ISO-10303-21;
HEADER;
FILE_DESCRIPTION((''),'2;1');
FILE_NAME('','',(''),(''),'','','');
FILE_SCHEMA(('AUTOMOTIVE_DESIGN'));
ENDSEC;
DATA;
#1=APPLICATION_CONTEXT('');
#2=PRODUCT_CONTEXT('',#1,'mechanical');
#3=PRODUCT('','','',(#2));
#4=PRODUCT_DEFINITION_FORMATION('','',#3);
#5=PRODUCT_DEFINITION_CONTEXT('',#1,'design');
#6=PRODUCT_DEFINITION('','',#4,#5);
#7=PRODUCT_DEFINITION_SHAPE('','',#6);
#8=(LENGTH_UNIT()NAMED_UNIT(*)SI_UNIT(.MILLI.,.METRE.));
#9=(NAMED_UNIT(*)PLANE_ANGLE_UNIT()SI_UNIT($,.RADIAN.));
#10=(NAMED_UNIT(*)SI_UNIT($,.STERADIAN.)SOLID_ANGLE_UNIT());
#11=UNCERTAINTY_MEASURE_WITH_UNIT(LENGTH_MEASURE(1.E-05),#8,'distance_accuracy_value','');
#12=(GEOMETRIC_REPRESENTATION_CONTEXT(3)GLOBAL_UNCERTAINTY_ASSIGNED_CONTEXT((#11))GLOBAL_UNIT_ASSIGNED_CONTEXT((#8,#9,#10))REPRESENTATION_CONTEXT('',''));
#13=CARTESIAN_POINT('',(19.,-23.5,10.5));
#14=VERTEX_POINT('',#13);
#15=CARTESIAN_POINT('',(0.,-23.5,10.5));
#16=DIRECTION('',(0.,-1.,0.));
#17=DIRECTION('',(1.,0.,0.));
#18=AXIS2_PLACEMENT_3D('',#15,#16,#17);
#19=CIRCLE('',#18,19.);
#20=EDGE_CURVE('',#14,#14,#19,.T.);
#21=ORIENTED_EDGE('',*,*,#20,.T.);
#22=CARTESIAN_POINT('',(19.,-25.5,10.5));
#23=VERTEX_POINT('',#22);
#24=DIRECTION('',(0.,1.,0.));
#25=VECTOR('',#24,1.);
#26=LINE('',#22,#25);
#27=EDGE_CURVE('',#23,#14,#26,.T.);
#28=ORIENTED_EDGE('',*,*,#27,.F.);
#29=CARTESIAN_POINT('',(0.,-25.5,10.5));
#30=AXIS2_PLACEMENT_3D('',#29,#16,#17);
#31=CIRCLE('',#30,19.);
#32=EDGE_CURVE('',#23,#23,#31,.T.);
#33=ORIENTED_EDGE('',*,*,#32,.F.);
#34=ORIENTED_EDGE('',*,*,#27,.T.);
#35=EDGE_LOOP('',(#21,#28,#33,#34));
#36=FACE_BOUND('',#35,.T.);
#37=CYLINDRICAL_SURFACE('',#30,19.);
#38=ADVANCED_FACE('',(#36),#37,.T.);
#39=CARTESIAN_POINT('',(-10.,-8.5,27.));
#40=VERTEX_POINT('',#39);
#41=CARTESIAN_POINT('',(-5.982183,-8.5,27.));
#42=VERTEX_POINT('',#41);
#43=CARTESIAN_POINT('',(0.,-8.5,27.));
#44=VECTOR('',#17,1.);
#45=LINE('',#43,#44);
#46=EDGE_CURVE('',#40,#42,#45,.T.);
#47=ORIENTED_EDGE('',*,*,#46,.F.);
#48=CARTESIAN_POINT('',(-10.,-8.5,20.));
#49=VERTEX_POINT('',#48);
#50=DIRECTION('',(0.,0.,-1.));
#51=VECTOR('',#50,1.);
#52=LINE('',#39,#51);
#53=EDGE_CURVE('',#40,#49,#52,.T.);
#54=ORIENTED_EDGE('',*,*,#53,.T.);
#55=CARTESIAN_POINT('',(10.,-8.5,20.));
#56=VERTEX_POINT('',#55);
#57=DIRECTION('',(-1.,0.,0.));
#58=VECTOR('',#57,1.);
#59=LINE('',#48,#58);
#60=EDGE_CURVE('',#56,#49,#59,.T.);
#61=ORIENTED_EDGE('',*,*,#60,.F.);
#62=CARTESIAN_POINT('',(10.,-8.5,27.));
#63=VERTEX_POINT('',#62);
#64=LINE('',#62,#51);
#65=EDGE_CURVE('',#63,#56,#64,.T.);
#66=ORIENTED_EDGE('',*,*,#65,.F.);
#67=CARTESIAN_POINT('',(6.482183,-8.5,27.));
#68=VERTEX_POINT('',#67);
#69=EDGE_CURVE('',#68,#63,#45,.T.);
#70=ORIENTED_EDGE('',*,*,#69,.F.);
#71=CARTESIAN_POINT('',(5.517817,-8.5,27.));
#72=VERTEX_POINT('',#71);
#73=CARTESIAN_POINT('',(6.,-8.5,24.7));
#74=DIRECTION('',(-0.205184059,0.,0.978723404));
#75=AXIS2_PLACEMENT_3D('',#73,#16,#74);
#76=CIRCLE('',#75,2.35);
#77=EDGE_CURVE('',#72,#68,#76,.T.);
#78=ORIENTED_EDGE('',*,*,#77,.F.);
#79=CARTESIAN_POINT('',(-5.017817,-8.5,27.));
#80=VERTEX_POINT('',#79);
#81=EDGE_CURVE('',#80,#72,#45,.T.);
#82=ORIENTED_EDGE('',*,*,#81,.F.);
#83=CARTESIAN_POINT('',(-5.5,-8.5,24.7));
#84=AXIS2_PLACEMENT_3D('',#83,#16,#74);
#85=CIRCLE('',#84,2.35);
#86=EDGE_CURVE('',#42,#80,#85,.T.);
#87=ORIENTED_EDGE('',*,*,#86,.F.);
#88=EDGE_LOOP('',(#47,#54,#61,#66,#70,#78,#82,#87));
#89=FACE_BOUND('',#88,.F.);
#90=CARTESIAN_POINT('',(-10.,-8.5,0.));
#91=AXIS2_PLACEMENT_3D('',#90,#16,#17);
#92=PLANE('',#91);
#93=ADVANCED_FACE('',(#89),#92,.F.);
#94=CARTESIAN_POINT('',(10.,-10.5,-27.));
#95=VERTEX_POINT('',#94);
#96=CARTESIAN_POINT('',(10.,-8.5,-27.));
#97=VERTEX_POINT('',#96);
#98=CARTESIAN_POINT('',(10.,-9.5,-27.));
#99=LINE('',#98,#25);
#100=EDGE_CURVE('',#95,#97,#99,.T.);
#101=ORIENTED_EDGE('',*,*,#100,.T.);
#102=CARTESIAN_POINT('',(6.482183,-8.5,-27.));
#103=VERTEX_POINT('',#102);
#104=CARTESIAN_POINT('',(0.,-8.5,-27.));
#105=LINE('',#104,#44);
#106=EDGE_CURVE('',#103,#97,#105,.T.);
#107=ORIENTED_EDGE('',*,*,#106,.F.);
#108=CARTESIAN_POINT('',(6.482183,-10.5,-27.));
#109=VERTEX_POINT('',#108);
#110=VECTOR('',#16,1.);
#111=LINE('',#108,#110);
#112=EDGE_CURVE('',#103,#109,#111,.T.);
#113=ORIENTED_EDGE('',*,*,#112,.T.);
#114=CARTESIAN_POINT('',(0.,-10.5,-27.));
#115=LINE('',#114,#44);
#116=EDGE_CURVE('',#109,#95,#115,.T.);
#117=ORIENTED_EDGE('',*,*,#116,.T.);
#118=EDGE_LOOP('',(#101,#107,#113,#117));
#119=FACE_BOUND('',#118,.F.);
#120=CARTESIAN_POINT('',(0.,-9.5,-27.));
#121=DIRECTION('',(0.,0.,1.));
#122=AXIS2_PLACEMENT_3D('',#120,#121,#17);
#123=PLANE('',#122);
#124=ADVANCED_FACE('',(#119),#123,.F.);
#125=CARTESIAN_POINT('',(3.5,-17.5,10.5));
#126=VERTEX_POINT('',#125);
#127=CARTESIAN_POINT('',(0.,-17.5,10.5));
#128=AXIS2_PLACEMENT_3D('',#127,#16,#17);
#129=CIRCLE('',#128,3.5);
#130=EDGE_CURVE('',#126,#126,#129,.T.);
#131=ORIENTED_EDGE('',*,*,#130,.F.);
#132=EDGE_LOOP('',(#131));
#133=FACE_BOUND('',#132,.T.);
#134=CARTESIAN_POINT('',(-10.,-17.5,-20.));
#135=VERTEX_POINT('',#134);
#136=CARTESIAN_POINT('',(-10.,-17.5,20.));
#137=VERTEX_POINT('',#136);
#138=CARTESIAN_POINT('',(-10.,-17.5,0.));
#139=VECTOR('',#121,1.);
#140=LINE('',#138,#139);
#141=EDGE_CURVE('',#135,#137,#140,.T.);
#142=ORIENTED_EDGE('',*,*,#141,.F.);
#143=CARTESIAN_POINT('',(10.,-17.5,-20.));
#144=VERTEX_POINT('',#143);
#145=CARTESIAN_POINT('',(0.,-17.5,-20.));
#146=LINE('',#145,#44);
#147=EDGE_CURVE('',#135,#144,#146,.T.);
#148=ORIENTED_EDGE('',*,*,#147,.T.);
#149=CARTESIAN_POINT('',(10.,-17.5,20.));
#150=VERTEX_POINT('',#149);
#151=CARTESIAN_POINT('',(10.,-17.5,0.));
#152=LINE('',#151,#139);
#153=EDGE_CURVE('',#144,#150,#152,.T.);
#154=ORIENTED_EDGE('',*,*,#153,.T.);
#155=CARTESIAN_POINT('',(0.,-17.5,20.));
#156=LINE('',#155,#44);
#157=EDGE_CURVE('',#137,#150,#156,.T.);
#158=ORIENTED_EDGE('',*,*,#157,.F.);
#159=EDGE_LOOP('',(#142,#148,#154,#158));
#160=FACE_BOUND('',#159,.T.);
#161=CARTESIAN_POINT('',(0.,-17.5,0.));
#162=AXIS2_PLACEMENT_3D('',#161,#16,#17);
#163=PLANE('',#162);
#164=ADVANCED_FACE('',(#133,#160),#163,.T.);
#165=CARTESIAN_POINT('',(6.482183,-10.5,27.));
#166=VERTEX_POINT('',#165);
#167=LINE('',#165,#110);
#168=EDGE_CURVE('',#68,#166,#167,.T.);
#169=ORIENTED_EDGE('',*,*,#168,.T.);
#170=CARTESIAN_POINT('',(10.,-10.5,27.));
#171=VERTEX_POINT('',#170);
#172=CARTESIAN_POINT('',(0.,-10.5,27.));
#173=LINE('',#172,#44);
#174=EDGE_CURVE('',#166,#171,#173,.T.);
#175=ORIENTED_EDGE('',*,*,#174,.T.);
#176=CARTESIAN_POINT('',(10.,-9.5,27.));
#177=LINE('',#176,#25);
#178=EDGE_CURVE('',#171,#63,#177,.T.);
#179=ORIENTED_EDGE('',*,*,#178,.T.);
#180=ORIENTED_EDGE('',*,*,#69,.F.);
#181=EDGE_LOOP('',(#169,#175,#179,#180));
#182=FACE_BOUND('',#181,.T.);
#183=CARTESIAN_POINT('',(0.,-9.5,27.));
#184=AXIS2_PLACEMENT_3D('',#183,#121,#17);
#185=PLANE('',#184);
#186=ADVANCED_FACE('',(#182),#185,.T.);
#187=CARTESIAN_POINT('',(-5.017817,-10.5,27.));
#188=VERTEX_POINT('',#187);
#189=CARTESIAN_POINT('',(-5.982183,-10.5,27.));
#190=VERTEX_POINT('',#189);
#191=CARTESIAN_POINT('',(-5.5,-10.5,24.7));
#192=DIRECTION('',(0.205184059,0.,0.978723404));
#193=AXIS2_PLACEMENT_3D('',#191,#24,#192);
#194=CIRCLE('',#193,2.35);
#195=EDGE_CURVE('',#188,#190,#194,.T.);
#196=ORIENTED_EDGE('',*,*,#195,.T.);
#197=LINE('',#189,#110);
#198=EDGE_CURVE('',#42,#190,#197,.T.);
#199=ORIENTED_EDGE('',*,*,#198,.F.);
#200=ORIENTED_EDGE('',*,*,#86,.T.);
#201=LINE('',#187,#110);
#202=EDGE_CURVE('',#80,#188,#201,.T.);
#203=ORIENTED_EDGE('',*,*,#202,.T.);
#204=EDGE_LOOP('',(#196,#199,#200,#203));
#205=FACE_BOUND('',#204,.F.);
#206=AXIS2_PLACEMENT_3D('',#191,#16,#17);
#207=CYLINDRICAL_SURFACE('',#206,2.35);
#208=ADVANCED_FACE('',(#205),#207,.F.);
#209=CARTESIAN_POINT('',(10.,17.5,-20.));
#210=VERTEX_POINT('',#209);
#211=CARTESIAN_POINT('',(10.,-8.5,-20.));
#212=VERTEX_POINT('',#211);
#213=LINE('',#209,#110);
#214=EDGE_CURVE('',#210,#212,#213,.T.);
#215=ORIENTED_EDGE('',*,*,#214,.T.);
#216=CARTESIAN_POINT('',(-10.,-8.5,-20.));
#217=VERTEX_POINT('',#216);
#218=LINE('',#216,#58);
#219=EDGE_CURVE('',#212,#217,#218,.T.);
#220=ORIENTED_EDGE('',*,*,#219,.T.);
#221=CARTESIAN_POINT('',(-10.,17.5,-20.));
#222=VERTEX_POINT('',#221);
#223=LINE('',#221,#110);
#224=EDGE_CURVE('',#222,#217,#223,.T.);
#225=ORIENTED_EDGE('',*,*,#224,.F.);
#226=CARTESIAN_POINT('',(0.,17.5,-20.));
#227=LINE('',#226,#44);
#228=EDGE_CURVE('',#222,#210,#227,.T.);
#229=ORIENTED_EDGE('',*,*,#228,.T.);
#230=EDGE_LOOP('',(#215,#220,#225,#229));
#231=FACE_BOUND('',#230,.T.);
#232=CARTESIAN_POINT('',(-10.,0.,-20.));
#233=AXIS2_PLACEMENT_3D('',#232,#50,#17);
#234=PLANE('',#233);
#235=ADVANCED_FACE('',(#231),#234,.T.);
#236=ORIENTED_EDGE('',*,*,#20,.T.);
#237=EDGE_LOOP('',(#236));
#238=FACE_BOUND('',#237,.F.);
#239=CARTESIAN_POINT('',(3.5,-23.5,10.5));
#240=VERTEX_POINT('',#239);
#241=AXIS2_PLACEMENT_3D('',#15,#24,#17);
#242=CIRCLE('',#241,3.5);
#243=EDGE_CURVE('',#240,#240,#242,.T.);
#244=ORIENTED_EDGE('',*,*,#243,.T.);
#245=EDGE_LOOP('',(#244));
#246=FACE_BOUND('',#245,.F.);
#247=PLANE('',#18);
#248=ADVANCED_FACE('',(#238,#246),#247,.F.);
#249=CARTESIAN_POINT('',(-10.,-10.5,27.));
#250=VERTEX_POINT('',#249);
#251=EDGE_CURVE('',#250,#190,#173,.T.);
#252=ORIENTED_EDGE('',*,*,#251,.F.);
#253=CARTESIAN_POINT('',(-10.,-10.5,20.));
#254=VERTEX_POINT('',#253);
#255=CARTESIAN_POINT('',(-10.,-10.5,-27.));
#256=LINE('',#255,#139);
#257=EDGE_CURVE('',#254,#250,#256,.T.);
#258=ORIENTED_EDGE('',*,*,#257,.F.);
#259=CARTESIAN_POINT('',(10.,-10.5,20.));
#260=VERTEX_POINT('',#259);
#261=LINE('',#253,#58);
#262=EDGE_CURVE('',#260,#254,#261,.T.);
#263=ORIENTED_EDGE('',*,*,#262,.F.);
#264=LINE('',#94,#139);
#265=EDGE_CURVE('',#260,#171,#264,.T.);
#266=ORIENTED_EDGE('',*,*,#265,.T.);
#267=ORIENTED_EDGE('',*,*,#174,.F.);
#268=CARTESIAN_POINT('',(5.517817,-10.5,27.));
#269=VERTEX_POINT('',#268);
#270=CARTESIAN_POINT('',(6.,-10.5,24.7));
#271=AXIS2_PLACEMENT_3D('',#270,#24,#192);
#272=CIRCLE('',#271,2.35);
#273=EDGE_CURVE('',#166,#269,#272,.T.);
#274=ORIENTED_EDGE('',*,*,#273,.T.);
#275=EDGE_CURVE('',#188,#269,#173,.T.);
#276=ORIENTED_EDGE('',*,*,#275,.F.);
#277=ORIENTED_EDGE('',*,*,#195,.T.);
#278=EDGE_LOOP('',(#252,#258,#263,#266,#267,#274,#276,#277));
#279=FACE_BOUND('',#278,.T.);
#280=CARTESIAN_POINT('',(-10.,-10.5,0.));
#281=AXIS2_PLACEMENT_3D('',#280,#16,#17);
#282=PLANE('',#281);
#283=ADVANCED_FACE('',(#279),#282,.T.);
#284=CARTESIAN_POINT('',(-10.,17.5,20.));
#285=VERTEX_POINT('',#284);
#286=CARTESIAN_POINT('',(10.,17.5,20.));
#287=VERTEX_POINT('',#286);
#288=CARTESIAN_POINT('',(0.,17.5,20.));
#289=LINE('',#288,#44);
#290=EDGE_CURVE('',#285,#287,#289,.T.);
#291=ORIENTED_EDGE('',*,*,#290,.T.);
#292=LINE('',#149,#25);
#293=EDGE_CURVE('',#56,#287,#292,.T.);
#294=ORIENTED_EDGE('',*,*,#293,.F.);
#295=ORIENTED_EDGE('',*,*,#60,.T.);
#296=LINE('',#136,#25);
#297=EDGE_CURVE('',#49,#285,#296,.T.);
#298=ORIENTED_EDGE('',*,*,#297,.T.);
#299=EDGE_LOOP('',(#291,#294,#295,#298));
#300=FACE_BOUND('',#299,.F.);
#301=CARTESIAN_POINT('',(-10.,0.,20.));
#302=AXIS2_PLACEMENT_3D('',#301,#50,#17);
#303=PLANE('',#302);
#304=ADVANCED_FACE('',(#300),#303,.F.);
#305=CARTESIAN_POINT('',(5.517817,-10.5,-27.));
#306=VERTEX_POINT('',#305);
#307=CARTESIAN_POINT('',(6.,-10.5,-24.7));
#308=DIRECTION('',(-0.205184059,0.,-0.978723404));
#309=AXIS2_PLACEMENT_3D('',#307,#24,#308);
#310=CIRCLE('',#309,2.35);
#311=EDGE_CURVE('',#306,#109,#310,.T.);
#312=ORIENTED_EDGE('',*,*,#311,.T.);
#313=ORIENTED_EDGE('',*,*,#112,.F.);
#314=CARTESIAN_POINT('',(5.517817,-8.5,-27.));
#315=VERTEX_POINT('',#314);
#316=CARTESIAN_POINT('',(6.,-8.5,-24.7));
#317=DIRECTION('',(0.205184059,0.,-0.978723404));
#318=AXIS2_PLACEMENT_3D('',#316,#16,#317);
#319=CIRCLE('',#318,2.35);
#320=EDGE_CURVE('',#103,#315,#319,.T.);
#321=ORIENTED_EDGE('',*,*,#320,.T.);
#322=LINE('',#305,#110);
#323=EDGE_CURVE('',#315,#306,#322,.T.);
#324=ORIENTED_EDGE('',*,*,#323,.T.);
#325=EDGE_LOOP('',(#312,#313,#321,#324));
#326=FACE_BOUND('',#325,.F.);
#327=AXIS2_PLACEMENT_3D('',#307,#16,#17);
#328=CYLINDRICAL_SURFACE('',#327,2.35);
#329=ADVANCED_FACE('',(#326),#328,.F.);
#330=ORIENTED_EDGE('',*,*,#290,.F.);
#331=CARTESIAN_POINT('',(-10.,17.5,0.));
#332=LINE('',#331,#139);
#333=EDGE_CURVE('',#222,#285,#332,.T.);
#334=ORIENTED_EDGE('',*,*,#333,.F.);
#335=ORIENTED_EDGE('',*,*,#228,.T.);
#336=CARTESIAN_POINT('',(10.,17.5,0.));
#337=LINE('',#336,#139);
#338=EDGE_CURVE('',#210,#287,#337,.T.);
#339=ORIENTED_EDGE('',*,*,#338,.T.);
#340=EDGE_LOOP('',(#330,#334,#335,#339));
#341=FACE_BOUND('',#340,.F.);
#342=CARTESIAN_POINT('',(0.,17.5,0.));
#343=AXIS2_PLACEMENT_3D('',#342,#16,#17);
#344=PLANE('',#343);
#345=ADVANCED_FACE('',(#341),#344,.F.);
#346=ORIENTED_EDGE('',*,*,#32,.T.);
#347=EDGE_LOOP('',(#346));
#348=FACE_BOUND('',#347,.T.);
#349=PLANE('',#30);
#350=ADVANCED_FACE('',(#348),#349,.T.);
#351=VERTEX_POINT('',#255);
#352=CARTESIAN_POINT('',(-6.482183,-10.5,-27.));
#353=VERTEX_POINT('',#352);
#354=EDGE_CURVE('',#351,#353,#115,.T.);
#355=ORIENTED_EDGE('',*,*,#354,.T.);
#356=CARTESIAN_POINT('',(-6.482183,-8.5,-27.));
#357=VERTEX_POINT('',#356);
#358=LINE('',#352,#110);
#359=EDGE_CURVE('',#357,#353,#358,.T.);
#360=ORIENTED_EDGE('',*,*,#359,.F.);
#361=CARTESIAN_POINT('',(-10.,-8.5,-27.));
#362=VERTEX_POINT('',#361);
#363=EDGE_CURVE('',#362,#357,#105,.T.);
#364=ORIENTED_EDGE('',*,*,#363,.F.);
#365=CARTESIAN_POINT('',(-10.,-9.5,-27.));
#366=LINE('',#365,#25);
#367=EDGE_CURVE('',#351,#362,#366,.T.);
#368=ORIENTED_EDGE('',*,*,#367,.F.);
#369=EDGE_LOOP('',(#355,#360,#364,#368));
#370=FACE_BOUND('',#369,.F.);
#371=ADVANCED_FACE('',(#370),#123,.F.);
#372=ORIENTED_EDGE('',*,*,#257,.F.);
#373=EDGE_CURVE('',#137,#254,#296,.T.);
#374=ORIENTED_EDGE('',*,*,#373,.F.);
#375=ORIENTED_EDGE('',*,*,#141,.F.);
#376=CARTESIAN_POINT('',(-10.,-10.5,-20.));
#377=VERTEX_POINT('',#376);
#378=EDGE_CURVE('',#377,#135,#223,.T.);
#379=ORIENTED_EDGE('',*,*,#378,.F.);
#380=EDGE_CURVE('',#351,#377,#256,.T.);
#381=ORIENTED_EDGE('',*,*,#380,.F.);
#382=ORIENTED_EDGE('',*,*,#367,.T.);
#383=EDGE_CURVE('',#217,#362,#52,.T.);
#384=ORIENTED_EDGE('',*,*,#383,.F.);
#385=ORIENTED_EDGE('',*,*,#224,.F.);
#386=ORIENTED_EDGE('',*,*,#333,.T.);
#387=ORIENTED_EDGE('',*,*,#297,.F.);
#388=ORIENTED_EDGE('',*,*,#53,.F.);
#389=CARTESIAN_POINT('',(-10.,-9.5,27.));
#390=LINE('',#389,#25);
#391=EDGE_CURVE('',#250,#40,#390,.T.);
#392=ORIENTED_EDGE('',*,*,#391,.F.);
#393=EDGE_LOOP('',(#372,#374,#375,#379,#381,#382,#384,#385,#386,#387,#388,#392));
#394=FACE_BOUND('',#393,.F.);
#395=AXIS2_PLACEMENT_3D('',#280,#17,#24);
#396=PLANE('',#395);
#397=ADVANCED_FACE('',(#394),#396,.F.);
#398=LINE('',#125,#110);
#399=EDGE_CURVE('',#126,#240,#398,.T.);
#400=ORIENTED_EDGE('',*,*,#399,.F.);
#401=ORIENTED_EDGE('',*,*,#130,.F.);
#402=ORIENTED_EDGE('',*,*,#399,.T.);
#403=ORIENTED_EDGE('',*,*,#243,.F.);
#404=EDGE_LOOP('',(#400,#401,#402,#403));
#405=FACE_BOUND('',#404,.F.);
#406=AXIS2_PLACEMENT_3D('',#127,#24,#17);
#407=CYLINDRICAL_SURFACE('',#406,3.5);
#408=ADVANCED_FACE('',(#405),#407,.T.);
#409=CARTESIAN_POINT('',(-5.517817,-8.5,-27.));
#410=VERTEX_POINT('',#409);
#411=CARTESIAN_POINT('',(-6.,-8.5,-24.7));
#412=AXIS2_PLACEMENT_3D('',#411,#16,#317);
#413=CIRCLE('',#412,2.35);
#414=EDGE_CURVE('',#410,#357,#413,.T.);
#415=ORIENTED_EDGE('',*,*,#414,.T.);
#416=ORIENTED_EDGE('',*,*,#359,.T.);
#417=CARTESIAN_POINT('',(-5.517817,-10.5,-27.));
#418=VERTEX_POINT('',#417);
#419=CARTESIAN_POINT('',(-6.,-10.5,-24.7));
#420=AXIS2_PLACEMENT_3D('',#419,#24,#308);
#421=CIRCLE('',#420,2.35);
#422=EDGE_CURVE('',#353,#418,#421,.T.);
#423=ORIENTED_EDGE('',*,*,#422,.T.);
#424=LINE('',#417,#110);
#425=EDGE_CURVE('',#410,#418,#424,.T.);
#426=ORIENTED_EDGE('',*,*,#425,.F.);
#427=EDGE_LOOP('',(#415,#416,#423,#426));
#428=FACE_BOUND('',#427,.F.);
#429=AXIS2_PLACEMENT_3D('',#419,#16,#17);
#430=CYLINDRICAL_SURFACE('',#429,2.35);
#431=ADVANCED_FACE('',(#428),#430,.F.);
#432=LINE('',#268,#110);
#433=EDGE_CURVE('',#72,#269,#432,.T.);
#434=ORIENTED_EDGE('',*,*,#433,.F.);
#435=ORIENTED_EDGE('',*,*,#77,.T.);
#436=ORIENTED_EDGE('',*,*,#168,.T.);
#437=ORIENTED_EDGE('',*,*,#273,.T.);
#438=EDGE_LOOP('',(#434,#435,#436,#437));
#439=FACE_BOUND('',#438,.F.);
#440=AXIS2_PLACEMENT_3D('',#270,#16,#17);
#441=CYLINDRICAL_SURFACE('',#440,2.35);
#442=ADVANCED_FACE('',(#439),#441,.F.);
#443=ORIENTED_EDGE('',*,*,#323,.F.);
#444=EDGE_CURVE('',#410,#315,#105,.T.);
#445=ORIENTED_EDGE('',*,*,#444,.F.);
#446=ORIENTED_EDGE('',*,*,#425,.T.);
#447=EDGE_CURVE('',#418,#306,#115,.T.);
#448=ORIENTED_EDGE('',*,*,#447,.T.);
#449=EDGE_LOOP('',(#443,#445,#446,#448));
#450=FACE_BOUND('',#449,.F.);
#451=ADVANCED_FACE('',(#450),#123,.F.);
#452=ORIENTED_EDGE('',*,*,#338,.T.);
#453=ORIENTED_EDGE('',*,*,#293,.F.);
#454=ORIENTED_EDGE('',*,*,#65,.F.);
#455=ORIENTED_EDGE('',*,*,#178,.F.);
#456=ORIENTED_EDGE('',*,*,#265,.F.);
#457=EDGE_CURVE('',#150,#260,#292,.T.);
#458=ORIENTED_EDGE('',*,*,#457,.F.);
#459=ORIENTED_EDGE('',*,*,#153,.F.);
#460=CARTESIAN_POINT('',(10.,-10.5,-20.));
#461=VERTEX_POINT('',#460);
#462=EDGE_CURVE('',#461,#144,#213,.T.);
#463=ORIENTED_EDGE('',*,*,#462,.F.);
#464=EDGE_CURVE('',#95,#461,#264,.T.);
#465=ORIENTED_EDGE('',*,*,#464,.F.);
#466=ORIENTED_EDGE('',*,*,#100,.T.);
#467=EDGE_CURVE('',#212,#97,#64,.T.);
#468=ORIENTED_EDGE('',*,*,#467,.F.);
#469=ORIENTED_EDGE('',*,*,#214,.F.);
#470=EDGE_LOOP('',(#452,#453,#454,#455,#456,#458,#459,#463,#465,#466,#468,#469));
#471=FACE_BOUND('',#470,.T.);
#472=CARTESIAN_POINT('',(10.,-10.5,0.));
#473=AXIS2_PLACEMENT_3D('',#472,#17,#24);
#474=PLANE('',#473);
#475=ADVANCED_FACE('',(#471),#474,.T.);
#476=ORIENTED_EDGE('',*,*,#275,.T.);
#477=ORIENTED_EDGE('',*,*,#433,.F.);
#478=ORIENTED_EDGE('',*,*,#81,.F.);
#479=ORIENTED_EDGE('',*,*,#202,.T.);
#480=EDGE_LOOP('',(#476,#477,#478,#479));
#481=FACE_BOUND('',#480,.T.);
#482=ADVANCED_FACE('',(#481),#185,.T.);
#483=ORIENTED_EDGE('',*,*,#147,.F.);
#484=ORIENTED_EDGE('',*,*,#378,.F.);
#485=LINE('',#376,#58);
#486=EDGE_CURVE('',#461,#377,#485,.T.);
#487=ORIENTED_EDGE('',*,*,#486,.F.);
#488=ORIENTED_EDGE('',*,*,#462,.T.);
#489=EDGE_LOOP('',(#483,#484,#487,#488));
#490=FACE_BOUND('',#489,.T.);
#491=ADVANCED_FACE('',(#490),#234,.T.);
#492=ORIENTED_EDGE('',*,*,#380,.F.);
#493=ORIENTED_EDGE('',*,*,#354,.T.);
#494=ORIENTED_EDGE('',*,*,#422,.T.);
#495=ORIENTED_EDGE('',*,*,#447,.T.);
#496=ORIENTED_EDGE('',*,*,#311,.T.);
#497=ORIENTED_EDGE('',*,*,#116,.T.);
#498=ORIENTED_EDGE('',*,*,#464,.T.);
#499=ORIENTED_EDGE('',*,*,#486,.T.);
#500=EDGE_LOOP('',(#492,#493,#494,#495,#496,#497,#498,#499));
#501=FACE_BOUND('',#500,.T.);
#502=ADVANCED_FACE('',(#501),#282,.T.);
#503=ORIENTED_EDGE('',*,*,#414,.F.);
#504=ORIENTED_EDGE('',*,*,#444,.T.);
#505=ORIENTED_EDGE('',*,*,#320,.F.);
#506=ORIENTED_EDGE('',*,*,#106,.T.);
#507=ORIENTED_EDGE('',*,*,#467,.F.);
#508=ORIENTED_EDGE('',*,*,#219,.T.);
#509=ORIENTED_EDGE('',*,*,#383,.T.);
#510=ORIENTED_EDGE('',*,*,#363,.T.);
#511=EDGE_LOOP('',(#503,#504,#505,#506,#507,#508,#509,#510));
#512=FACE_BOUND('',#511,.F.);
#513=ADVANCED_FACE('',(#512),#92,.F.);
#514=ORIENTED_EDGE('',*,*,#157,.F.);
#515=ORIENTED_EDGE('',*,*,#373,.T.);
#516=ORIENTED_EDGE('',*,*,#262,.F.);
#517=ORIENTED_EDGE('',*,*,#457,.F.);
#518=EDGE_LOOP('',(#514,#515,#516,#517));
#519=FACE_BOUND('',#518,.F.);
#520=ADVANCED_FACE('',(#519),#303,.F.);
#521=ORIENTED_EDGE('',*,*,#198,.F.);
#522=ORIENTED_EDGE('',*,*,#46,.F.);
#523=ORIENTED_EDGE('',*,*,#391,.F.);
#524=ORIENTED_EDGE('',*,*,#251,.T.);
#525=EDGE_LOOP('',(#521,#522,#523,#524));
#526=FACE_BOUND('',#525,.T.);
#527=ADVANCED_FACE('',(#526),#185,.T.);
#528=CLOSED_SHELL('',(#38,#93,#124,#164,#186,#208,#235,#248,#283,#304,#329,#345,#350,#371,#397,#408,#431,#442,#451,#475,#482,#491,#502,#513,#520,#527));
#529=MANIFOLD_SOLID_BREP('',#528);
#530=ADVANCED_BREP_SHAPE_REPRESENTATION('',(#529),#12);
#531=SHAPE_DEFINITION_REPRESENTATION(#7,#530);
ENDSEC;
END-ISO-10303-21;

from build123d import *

# Parameters (mm, degrees)
F0_W     = 20
F0_H     = 40
F1_DEPTH = 17.5
F2_W     = 20
F2_H     = 2
F3_DEPTH = 27
F4_R     = 3.5
F5_DEPTH = 8
F6_R     = 19
F7_DEPTH = 2
F8_R     = 2.35
F9_DEPTH = 25.4


with BuildPart() as f1:
    # F0 (on Front) → F1 (new body, symmetric)
    with BuildSketch(Plane.XZ):
        Rectangle(F0_W, F0_H)
    extrude(amount=F1_DEPTH, both=True)

    # F2 (on Top) → F3 (join, symmetric)
    with BuildSketch(Plane.XY):
        with Locations((0, -9.5)):
            Rectangle(F2_W, F2_H)
    extrude(amount=F3_DEPTH, both=True)

    # F4 (on face) → F5 (join)
    with BuildSketch(Plane.XZ.offset(17.5)):
        with Locations((0, 10.5)):
            Circle(F4_R)
    extrude(amount=F5_DEPTH)

    # F6 (on face) → F7 (join)
    with BuildSketch(Plane.XZ.offset(25.5)):
        with Locations((0, 10.5)):
            Circle(F6_R)
    extrude(amount=-F7_DEPTH)

    # F8 (on face) → F9 (cut)
    with BuildSketch(Plane.XZ.offset(10.5)):
        with Locations((-6, -24.7)):
            Circle(F8_R)
        with Locations((6, -24.7)):
            Circle(F8_R)
        with Locations((-5.5, 24.7)):
            Circle(F8_R)
        with Locations((6, 24.7)):
            Circle(F8_R)
    extrude(amount=-F9_DEPTH, mode=Mode.SUBTRACT)


solid = f1.part
